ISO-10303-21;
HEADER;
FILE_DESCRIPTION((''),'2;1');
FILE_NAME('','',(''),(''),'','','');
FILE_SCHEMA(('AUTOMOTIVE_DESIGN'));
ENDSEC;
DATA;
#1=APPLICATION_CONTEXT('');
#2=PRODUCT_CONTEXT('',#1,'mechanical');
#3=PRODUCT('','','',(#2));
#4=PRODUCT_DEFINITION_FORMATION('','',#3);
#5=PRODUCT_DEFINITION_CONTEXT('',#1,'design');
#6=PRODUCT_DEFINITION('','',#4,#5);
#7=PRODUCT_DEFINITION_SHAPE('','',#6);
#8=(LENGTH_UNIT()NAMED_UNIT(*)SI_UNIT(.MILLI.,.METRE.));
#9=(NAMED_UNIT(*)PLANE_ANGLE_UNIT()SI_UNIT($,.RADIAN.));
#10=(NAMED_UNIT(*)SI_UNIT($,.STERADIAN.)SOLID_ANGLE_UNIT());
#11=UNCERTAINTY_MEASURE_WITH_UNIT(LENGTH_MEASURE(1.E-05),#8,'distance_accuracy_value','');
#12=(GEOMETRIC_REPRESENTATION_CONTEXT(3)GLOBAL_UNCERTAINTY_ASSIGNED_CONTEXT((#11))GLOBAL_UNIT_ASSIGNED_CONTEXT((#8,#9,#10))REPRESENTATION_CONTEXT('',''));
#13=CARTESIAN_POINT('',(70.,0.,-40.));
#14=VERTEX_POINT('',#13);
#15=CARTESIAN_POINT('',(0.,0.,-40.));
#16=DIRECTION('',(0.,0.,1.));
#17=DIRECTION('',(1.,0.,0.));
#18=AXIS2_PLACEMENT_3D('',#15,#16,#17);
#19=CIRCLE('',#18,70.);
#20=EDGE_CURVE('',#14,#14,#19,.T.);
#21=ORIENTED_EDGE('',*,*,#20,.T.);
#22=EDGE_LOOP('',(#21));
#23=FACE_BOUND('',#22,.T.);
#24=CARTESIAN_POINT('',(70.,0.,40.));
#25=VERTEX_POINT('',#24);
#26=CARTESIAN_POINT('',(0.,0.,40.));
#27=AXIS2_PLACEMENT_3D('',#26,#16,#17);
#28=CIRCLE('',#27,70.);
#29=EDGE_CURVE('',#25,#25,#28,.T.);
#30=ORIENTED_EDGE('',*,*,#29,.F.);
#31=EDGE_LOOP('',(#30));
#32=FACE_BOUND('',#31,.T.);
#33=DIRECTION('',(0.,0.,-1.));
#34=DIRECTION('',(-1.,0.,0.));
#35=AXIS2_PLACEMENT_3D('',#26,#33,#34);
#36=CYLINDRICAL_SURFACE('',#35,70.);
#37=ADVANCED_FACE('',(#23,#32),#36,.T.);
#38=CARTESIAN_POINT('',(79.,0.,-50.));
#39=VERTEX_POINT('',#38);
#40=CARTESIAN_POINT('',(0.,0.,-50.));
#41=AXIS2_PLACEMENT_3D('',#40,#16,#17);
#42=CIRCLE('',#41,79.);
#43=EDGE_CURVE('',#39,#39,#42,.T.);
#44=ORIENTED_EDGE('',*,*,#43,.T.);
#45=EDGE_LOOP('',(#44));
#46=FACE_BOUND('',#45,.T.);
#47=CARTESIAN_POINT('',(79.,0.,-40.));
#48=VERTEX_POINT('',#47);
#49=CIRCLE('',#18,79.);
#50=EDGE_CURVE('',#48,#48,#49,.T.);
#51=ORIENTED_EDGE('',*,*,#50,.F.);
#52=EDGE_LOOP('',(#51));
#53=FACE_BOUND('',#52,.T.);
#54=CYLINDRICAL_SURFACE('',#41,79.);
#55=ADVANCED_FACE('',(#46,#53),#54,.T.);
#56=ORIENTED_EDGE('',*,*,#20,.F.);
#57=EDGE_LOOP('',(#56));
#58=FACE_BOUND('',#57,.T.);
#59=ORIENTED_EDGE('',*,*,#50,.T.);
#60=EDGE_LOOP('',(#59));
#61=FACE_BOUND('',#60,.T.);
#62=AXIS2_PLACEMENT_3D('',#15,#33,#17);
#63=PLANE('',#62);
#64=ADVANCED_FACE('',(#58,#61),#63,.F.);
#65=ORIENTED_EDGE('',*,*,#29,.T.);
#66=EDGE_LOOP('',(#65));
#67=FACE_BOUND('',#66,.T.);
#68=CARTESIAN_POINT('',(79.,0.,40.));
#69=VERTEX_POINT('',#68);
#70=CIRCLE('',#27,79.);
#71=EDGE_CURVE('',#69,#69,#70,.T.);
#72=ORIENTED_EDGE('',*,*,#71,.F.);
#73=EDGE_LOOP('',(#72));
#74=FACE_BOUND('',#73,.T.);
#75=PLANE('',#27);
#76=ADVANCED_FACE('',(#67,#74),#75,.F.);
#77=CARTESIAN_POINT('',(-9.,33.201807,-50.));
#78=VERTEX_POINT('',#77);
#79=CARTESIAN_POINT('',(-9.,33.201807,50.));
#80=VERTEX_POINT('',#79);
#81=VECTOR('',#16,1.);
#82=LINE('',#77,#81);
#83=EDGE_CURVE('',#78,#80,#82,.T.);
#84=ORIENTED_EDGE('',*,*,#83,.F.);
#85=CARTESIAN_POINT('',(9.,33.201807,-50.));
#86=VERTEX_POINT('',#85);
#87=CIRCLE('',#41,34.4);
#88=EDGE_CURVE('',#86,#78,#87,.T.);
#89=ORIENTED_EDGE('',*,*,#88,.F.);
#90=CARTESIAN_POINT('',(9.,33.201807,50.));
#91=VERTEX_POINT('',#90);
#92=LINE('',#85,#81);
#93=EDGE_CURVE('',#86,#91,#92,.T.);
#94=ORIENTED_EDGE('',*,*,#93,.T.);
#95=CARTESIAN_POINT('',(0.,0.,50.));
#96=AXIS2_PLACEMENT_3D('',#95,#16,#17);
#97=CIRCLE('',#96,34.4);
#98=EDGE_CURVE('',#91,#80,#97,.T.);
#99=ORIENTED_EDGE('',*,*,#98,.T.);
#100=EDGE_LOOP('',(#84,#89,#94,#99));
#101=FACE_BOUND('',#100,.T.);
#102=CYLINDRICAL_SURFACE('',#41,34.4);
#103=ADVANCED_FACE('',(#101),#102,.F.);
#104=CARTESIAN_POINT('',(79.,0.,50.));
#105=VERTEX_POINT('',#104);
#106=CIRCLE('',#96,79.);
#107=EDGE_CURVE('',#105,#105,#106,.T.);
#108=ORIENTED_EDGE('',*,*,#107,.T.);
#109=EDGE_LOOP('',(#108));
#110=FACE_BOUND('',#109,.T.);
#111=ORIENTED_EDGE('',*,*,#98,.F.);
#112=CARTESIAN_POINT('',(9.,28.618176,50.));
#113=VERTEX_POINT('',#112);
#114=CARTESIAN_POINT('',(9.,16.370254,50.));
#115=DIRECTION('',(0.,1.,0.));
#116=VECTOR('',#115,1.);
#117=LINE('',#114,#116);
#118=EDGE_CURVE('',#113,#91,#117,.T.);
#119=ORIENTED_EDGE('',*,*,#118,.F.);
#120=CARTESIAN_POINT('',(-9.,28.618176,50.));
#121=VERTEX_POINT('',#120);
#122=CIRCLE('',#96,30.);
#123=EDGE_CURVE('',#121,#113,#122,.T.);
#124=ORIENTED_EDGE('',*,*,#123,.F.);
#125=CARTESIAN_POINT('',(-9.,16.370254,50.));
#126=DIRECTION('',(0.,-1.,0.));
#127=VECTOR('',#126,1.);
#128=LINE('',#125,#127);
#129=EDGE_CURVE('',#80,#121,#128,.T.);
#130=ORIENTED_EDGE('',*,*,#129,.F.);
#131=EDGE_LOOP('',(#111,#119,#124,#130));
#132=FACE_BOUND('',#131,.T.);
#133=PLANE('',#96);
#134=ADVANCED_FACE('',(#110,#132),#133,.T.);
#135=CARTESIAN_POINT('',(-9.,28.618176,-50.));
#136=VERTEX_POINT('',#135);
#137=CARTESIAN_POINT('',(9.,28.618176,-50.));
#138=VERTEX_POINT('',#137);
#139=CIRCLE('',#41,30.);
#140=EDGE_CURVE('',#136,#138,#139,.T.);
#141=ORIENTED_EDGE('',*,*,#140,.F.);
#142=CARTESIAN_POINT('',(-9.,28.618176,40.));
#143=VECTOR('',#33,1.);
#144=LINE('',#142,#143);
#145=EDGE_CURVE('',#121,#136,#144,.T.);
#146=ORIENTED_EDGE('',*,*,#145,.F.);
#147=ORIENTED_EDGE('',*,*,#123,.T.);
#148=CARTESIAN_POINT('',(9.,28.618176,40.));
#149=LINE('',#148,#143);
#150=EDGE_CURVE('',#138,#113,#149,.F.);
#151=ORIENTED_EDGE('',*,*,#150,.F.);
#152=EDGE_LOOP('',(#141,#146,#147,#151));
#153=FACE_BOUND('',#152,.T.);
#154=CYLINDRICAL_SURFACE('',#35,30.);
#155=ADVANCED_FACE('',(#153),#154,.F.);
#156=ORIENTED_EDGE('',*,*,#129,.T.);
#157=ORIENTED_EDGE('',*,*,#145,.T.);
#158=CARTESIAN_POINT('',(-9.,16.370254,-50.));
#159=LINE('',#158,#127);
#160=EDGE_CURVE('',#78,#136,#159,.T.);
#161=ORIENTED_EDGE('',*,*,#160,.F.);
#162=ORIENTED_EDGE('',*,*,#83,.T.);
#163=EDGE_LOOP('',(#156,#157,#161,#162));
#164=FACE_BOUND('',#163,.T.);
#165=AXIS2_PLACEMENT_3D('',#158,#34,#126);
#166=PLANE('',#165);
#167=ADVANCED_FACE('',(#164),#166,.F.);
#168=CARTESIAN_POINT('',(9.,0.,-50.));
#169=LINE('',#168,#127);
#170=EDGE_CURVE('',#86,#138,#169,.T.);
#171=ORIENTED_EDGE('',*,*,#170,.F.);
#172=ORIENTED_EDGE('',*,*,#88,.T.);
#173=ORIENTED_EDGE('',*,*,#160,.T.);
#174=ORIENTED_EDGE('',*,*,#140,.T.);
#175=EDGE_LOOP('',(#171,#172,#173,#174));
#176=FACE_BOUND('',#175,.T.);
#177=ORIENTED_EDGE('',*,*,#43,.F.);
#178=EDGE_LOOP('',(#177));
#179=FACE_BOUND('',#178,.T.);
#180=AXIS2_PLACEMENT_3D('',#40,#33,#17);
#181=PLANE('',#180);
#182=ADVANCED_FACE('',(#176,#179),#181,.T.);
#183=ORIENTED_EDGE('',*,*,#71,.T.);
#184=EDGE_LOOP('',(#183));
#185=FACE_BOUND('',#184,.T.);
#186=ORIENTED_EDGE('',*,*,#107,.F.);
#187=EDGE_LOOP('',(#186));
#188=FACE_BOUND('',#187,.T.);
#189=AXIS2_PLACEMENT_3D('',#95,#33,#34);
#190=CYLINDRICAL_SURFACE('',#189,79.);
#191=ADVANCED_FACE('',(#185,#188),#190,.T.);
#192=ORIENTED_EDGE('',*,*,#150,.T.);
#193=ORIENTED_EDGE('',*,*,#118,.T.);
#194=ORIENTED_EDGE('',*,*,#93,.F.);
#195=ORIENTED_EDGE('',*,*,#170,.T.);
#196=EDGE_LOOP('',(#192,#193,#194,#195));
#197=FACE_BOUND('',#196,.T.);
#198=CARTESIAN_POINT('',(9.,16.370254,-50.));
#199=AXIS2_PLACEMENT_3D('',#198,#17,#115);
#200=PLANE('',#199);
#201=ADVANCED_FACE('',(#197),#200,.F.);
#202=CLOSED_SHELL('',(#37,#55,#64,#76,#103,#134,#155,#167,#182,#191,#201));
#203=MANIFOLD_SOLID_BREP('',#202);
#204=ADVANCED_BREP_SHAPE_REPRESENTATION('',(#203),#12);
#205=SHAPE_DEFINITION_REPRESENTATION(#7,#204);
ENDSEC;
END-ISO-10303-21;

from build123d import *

# Parameters (mm, degrees)
SKETCH1_R           = 70
SKETCH1_R_2         = 30
BOSS_EXTRUDE1_DEPTH = 40
SKETCH2_R           = 79
SKETCH2_R_2         = 30
BOSS_EXTRUDE2_DEPTH = 10
CUT_EXTRUDE1_DEPTH  = 150.939987995


with BuildPart() as part:
    # Sketch1 → Boss-Extrude1 (new, symmetric)
    with BuildSketch(Plane.XY):
        Circle(SKETCH1_R)
        Circle(SKETCH1_R_2, mode=Mode.SUBTRACT)
    extrude(amount=BOSS_EXTRUDE1_DEPTH, both=True)

    # Sketch2 → Boss-Extrude2 (add)
    with BuildSketch(Plane.XY.offset(40)):
        Circle(SKETCH2_R)
        Circle(SKETCH2_R_2, mode=Mode.SUBTRACT)
    boss_extrude2 = extrude(amount=BOSS_EXTRUDE2_DEPTH)

    # Mirror1: Boss-Extrude2 across plane
    add(boss_extrude2.mirror(Plane.XY))

    # Sketch3 → Cut-Extrude1 (cut, through all)
    with BuildSketch(Plane.XY.offset(50)):
        with BuildLine():
            Line((9, 16.370254424), (9, 33.20180718))
            ThreePointArc((9, 33.20180718), (0, 34.4), (-9, 33.20180718))
            Line((-9, 33.20180718), (-9, 16.370254424))
            Line((-9, 16.370254424), (9, 16.370254424))
        make_face()
    extrude(amount=-CUT_EXTRUDE1_DEPTH, mode=Mode.SUBTRACT)


solid = part.part
